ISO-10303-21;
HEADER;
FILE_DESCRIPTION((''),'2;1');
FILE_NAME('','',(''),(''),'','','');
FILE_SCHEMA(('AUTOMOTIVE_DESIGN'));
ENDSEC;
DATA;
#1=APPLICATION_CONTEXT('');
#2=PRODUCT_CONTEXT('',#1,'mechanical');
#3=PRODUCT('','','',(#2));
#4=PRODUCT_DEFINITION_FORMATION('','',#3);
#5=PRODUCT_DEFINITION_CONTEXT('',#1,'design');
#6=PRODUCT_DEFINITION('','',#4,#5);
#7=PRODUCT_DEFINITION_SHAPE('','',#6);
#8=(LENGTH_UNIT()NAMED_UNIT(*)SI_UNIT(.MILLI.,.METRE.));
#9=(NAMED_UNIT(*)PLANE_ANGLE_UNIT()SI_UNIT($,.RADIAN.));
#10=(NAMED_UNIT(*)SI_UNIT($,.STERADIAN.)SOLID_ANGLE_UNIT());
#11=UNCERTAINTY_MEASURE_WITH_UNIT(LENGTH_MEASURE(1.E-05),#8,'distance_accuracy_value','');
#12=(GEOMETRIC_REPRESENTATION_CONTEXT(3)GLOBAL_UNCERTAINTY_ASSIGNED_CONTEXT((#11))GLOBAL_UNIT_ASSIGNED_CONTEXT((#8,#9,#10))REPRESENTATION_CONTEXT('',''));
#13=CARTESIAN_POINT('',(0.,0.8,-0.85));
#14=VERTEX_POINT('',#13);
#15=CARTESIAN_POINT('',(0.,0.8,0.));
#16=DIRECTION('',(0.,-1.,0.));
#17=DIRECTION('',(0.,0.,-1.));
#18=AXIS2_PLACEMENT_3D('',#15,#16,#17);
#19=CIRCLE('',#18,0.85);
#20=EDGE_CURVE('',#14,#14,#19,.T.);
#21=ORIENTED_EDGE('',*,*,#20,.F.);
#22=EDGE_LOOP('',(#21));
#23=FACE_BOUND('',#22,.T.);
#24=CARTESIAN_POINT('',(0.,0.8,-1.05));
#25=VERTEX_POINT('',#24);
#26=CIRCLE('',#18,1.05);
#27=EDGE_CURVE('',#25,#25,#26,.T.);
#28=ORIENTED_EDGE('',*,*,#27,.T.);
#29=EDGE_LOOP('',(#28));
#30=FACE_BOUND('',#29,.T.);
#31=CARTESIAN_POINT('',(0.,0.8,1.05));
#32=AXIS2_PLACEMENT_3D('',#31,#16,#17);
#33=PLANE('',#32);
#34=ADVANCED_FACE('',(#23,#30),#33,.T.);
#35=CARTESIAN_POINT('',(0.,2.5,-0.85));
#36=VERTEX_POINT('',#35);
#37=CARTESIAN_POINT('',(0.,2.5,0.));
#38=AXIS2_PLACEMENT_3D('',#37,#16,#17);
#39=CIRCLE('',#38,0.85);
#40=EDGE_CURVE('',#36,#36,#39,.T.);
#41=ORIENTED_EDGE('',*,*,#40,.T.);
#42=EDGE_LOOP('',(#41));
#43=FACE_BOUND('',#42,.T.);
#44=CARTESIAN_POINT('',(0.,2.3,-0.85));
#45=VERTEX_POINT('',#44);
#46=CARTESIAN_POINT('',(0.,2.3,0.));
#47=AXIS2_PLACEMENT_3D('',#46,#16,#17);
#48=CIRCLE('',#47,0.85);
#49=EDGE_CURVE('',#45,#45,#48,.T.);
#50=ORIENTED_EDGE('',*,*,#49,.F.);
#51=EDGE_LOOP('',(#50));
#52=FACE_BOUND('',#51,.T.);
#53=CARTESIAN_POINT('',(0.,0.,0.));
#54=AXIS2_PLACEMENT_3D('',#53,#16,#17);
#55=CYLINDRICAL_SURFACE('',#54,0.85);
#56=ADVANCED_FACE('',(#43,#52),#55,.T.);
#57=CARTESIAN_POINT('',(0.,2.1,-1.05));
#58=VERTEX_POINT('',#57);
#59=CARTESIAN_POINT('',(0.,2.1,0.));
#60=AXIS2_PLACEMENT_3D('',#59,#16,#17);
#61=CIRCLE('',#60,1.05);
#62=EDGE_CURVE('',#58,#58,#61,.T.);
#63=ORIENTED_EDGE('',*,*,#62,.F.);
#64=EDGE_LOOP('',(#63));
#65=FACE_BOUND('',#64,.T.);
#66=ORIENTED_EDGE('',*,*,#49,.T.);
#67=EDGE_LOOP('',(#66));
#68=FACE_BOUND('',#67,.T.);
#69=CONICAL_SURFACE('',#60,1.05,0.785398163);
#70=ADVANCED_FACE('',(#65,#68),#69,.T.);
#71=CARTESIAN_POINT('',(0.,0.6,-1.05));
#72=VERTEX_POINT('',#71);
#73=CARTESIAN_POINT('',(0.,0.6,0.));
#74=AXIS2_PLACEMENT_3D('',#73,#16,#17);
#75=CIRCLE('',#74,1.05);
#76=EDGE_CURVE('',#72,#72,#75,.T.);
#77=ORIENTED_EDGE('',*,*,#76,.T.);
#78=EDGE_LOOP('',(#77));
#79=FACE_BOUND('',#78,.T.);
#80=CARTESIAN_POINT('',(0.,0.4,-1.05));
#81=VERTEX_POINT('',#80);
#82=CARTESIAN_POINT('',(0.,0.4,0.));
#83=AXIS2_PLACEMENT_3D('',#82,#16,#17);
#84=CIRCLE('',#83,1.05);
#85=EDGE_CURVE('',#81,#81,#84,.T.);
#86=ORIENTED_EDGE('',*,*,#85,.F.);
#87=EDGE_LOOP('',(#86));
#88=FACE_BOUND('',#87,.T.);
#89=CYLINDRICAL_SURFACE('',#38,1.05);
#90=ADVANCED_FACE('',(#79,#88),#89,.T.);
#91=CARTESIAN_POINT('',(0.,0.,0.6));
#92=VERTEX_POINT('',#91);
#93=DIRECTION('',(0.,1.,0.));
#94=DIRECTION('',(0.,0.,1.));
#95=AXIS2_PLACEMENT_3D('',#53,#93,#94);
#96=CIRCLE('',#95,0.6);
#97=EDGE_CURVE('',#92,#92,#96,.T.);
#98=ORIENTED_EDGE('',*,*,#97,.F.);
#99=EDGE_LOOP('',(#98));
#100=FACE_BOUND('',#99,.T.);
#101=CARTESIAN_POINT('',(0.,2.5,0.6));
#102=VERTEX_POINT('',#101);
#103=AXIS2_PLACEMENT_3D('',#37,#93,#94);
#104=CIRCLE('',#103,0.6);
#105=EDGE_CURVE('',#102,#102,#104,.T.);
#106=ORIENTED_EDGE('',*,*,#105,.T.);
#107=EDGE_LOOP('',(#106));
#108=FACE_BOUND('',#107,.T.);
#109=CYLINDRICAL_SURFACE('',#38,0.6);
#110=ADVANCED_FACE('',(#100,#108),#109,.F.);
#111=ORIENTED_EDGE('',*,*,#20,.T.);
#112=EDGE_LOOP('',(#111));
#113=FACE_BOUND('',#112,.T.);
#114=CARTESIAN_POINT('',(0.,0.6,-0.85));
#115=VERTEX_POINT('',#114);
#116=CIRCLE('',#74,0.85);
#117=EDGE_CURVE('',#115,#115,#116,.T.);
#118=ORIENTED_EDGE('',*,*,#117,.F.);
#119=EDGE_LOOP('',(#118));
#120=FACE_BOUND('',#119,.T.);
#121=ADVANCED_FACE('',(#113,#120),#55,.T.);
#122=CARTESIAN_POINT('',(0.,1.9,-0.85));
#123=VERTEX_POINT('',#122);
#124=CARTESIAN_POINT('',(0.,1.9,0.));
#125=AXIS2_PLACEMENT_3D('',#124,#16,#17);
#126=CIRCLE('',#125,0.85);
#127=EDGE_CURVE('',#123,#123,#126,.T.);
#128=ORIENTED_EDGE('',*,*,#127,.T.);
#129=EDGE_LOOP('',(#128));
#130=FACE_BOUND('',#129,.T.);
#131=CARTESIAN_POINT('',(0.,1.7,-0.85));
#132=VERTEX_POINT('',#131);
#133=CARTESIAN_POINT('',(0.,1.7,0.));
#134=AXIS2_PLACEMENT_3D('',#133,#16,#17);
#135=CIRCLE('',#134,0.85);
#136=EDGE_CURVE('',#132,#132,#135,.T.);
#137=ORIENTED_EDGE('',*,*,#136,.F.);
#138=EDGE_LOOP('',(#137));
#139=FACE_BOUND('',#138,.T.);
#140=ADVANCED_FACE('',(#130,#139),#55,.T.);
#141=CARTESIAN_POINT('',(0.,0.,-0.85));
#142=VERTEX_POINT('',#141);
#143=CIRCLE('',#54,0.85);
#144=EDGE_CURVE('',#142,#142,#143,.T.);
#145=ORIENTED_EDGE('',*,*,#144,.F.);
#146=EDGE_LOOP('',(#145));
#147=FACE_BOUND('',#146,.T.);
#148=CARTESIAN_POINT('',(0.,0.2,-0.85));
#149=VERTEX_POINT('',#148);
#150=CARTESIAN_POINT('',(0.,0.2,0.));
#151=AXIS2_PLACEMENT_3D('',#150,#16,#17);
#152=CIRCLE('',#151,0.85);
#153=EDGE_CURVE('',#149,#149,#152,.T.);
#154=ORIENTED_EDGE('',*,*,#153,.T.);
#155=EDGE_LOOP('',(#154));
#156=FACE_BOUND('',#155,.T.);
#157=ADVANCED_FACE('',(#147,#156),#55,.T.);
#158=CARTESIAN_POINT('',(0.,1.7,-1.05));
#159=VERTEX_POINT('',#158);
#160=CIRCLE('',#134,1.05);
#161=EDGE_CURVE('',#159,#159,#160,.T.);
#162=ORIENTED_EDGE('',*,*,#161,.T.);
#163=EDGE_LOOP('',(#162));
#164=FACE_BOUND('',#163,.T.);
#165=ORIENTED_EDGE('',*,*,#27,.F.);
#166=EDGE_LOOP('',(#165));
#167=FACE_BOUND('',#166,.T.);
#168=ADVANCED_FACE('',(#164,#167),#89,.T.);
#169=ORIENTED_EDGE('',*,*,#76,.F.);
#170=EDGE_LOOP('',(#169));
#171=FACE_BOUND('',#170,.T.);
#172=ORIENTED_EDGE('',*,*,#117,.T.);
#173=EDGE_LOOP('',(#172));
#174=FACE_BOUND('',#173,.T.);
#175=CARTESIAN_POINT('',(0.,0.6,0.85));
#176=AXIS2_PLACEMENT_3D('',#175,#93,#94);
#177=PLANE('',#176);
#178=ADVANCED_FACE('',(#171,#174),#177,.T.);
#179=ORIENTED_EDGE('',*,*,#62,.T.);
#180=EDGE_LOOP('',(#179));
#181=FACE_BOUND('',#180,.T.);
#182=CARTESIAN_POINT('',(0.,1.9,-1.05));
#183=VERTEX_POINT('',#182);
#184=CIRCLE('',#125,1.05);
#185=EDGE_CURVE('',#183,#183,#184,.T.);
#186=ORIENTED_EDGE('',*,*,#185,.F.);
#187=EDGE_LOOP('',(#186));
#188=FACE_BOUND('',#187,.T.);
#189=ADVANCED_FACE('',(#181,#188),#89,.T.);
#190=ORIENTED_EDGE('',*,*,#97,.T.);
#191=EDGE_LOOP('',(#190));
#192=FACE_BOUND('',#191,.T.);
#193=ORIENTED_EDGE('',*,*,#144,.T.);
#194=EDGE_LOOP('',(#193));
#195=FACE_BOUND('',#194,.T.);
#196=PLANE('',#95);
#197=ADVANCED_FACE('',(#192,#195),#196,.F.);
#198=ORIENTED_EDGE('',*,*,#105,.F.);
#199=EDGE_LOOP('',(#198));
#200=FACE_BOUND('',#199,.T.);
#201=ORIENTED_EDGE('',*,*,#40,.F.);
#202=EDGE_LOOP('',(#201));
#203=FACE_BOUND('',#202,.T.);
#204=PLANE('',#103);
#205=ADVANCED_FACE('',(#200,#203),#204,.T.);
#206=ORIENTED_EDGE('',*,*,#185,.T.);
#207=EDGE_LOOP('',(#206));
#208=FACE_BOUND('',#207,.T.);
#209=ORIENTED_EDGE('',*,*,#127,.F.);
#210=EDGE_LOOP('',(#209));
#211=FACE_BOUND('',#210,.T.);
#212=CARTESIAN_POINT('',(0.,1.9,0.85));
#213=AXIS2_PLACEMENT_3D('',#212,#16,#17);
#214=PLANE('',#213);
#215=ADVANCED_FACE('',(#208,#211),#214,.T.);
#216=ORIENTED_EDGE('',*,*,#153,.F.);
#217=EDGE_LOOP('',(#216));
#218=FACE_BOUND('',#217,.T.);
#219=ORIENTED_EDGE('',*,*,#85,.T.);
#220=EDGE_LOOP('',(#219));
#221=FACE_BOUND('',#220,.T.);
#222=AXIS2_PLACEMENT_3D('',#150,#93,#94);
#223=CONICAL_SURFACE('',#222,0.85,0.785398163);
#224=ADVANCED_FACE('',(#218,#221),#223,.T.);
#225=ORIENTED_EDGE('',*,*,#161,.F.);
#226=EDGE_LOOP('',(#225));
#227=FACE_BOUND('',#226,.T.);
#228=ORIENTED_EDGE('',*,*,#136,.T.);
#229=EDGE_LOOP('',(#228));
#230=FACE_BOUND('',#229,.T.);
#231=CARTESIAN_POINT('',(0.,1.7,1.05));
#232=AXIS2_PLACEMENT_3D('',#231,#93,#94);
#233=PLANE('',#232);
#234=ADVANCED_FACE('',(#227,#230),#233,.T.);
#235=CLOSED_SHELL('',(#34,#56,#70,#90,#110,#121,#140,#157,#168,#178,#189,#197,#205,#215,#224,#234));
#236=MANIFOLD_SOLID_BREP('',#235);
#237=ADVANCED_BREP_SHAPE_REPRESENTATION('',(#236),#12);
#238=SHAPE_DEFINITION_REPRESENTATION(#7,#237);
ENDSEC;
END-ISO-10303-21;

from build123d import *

# Parameters (mm, degrees)
SKETCH1_R           = 1.05
SKETCH1_R_2         = 0.6
BOSS_EXTRUDE1_DEPTH = 2.5
SKETCH2_W           = 0.2
SKETCH2_H           = 0.2


with BuildPart() as part:
    # Sketch1 → Boss-Extrude1 (new body)
    with BuildSketch(Plane(origin=(0, 0, 0), x_dir=(1, 0, 0), z_dir=(0, 1, 0))):
        with Locations(Location((0, 0, 0), (0, 0, 270))):
            Circle(SKETCH1_R)
        with Locations(Location((0, 0, 0), (0, 0, 270))):
            Circle(SKETCH1_R_2, mode=Mode.SUBTRACT)
    extrude(amount=BOSS_EXTRUDE1_DEPTH)

    # Sketch2 → Cut-Revolve1 (revolve, cut)
    with BuildSketch(Plane(origin=(0, 0, 0), x_dir=(0, 0, -1), z_dir=(1, 0, 0)), mode=Mode.PRIVATE) as cut_revolve1_sk:
        with Locations((-0.95, 1.8)):
            Rectangle(SKETCH2_W, SKETCH2_H)
        Polygon((-1.05, 2.5), (-0.85, 2.5), (-0.85, 2.3), (-1.05, 2.1), align=None)
        with Locations((-0.95, 0.7)):
            Rectangle(SKETCH2_W, SKETCH2_H)
        Polygon((-1.05, 0.4), (-0.85, 0.2), (-0.85, 0), (-1.05, 0), align=None)
    revolve(cut_revolve1_sk.sketch.rotate(Axis((0, 0, 0), (0, 1, 0)), 180), axis=Axis((0, 0, 0), (0, 1, 0)), mode=Mode.SUBTRACT)


solid = part.part
